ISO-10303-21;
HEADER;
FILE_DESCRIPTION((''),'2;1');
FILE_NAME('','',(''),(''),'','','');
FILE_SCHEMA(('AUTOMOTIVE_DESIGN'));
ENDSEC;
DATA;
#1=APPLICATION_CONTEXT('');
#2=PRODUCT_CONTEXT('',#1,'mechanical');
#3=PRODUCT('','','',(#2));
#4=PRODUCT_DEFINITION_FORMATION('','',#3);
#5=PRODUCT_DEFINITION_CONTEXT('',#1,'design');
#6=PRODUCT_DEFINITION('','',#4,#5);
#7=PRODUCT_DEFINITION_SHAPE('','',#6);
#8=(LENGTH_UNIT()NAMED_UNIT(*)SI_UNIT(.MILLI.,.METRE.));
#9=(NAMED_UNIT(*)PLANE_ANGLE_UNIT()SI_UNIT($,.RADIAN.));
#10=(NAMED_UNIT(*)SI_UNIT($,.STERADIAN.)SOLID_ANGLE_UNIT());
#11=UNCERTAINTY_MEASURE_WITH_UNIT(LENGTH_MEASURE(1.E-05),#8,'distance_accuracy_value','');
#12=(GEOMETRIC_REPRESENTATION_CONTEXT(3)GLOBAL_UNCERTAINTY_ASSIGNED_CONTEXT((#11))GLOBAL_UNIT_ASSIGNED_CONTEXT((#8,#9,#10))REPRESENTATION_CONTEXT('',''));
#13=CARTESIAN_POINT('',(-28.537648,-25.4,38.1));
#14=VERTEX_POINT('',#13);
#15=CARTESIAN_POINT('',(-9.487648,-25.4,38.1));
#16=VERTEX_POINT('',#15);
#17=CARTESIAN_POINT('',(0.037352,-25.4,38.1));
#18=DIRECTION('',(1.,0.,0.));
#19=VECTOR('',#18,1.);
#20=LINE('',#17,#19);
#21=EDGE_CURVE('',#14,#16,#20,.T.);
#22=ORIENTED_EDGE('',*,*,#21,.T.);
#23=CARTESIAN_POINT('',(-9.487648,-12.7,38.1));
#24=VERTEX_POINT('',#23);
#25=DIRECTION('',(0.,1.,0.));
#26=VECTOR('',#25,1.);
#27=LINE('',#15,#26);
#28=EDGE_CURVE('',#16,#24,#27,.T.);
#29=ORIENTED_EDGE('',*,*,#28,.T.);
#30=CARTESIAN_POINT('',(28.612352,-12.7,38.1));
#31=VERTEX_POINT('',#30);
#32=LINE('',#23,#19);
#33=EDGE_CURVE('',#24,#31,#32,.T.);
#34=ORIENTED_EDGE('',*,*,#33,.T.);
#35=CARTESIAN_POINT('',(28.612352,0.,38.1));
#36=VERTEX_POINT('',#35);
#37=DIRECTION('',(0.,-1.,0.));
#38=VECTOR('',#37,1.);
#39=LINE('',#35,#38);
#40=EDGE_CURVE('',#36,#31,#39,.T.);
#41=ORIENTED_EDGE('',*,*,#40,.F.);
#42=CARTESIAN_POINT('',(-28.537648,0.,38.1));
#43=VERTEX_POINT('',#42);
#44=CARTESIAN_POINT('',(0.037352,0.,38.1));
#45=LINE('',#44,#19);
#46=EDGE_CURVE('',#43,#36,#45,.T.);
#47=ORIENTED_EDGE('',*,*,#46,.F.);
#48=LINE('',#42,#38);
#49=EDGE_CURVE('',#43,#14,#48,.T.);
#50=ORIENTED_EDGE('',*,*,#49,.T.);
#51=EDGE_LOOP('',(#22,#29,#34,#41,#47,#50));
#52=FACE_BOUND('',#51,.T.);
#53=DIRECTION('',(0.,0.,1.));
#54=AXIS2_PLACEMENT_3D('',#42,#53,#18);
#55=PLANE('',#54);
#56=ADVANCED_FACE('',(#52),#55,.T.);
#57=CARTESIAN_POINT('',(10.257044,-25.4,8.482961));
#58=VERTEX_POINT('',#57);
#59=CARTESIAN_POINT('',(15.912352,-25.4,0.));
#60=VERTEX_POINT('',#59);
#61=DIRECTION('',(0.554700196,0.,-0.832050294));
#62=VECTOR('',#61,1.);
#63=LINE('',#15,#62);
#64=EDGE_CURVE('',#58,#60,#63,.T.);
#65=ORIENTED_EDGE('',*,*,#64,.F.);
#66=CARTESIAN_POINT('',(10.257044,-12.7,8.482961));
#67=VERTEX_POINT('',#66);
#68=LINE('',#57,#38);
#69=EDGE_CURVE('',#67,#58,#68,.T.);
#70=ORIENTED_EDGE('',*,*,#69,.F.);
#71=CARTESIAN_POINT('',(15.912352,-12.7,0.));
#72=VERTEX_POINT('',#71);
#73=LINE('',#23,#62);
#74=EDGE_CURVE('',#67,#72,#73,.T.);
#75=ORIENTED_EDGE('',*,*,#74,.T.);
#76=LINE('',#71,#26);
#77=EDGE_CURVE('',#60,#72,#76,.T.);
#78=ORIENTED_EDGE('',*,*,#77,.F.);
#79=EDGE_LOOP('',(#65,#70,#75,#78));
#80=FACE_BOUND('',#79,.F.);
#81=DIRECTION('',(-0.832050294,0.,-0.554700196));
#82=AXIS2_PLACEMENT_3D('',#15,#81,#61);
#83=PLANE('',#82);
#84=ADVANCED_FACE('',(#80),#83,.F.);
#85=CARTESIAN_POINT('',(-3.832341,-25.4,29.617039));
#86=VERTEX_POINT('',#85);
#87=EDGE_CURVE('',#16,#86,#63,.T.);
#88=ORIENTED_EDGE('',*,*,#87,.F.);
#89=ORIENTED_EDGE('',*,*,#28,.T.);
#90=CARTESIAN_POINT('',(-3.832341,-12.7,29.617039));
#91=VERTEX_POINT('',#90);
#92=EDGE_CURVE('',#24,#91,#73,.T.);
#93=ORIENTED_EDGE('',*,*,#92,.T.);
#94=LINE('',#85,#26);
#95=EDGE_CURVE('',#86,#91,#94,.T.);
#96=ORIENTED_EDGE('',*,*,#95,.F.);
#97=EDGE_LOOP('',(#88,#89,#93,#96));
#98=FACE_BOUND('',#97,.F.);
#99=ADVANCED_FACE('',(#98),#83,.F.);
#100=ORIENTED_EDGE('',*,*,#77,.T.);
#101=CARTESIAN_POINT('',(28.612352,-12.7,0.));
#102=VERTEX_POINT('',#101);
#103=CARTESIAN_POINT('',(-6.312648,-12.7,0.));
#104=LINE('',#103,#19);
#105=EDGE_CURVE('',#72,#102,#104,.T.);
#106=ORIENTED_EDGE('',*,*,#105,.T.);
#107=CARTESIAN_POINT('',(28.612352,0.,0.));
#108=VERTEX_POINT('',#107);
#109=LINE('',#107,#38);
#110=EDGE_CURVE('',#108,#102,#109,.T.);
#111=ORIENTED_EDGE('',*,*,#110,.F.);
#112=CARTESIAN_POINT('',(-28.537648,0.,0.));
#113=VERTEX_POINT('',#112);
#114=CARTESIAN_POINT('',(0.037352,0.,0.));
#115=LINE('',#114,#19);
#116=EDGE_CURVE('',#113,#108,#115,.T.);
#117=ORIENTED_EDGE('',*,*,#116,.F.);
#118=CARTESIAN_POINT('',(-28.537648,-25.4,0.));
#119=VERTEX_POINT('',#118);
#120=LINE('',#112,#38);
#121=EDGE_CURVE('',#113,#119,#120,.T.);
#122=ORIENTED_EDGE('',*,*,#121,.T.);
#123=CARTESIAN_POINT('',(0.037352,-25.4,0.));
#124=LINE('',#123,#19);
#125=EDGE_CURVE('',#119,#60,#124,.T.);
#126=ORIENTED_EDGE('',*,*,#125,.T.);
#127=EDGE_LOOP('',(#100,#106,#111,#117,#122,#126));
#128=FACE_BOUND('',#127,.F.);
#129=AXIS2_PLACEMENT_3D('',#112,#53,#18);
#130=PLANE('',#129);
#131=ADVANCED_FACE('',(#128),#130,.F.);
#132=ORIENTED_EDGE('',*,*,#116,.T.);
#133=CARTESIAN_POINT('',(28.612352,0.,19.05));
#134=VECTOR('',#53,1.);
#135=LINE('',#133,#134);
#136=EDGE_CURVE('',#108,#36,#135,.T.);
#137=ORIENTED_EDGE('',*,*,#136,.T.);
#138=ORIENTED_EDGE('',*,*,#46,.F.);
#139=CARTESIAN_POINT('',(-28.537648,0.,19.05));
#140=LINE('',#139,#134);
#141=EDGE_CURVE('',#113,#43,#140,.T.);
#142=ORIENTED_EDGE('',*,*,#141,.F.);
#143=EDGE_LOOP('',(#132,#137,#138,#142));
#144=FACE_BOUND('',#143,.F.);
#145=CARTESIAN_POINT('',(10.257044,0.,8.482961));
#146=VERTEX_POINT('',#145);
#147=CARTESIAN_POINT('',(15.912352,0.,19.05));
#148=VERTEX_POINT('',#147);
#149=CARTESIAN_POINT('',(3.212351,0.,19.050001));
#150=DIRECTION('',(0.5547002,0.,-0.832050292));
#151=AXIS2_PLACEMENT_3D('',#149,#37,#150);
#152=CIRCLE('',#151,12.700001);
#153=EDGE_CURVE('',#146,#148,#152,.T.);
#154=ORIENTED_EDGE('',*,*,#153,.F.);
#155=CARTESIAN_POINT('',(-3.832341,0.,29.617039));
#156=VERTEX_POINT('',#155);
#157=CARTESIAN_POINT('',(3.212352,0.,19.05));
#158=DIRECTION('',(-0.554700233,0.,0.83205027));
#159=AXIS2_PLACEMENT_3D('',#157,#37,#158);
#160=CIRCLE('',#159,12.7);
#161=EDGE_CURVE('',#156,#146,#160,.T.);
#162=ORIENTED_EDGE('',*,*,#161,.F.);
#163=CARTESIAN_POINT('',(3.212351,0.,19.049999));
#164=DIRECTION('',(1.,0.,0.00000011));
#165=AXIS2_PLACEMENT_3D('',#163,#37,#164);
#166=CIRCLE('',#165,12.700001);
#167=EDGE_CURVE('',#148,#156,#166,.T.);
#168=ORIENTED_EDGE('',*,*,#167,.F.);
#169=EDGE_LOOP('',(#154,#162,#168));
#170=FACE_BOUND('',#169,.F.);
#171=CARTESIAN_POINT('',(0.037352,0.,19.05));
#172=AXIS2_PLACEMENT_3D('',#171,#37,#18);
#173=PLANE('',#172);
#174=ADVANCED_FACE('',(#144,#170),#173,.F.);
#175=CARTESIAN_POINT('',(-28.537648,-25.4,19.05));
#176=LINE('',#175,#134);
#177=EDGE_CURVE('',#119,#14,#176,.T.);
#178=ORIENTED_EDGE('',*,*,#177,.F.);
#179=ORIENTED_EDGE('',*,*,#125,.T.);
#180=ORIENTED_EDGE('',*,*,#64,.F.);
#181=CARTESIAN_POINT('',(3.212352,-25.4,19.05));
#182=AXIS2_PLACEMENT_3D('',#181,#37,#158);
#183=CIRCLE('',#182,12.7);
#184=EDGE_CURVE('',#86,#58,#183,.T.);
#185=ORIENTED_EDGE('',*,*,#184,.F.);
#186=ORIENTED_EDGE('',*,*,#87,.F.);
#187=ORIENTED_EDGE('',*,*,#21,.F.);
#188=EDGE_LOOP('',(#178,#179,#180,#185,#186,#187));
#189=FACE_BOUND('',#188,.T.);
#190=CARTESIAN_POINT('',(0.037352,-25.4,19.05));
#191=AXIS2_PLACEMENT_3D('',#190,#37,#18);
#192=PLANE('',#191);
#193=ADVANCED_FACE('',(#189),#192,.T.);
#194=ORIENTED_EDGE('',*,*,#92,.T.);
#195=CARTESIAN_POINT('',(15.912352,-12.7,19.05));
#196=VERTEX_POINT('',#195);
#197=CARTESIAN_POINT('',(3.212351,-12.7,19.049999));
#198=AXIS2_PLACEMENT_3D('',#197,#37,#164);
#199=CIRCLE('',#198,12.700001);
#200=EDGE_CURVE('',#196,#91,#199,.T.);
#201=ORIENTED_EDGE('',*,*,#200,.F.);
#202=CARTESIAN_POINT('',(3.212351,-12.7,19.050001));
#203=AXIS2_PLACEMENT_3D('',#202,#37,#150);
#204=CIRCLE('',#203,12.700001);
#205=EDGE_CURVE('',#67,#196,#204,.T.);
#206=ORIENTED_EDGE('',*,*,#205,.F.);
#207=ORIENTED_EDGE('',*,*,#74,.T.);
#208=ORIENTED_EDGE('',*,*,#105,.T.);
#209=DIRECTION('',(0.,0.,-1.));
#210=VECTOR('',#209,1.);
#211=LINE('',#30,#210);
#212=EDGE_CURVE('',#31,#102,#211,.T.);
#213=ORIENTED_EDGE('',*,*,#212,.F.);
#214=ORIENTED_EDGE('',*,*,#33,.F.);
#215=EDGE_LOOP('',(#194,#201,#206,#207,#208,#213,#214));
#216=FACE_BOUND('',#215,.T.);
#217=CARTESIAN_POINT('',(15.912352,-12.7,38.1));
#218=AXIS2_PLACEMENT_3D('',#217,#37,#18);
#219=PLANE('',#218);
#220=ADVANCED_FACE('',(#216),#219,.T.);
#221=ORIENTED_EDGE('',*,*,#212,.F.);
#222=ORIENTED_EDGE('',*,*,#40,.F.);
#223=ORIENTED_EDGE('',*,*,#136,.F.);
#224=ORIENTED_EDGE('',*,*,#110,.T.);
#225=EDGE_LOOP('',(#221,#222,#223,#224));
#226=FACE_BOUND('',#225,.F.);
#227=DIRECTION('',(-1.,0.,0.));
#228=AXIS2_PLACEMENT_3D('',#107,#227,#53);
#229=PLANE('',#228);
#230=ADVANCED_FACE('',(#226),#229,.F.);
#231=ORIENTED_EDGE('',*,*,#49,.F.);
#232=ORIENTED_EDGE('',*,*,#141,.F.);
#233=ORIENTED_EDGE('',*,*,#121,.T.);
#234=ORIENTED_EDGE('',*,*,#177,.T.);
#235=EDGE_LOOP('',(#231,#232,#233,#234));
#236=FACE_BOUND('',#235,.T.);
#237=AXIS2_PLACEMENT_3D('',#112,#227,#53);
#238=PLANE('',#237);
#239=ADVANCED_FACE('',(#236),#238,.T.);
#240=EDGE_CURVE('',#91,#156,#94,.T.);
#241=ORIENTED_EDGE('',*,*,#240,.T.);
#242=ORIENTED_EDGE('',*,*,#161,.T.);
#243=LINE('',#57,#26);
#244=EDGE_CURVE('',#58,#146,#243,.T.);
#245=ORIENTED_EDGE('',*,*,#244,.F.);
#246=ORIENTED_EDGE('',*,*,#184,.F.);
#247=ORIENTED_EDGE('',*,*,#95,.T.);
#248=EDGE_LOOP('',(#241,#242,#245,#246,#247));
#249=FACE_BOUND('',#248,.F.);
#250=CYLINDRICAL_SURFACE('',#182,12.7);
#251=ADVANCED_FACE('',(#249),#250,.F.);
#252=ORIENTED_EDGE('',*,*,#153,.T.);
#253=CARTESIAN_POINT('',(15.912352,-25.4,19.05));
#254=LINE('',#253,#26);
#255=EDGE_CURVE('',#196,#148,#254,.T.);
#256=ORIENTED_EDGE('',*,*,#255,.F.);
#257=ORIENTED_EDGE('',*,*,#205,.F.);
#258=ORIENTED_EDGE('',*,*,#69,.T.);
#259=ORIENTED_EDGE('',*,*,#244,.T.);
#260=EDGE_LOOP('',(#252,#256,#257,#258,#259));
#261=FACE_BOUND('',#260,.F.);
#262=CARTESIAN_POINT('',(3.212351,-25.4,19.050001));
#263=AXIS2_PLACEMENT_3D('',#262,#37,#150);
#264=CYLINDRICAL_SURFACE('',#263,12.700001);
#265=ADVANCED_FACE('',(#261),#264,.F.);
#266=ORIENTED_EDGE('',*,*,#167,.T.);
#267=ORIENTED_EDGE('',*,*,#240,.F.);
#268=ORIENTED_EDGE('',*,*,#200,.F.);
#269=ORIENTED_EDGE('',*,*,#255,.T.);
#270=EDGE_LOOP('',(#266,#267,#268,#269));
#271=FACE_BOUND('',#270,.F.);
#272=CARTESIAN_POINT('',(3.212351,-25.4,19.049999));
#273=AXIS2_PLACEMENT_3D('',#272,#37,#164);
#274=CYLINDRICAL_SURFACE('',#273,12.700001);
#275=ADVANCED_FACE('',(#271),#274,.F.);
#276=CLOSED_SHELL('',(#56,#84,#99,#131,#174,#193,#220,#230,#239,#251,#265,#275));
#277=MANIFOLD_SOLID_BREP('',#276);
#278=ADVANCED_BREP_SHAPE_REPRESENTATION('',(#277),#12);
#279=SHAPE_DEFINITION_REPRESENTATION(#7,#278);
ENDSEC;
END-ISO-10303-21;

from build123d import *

# Parameters (mm, degrees)
F0_W     = 57.15
F0_H     = 38.1
F1_DEPTH = 25.4
F2_W     = 12.7
F2_H     = 12.7
F3_DEPTH = 38.101
F5_DEPTH = 12.7
F7_DEPTH = 25.401


with BuildPart() as f1:
    # F0 (on Front) → F1 (new body)
    with BuildSketch(Plane.XZ):
        with Locations((0.037352, 19.05)):
            Rectangle(F0_W, F0_H)
    extrude(amount=F1_DEPTH)

    # F2 (on face) → F3 (cut, through all)
    with BuildSketch(Plane.XY.offset(38.1)):
        with Locations((22.262352, -19.05)):
            Rectangle(F2_W, F2_H)
    extrude(amount=-F3_DEPTH, mode=Mode.SUBTRACT)

    # F4 (on face) → F5 (cut)
    with BuildSketch(Plane.XZ.offset(25.4)):
        Polygon((15.912352, 38.1), (-9.487648, 38.1), (15.912352, 0), align=None)
    extrude(amount=-F5_DEPTH, mode=Mode.SUBTRACT)

    # F6 (on face) → F7 (cut, through all)
    with BuildSketch(Plane.XZ.offset(25.4)):
        with BuildLine():
            Line((10.257044, 8.482961), (-3.832341, 29.617039))
            ThreePointArc((-3.832341, 29.617039), (-7.354687, 12.005308), (10.257044, 8.482961))
        make_face()
        with BuildLine():
            ThreePointArc((10.257044, 8.482961), (14.409619, 13.057404), (15.912352, 19.05))
            ThreePointArc((15.912352, 19.05), (9.204947, 30.247267), (-3.832341, 29.617039))
            Line((-3.832341, 29.617039), (10.257044, 8.482961))
        make_face()
    extrude(amount=-F7_DEPTH, mode=Mode.SUBTRACT)


solid = f1.part
